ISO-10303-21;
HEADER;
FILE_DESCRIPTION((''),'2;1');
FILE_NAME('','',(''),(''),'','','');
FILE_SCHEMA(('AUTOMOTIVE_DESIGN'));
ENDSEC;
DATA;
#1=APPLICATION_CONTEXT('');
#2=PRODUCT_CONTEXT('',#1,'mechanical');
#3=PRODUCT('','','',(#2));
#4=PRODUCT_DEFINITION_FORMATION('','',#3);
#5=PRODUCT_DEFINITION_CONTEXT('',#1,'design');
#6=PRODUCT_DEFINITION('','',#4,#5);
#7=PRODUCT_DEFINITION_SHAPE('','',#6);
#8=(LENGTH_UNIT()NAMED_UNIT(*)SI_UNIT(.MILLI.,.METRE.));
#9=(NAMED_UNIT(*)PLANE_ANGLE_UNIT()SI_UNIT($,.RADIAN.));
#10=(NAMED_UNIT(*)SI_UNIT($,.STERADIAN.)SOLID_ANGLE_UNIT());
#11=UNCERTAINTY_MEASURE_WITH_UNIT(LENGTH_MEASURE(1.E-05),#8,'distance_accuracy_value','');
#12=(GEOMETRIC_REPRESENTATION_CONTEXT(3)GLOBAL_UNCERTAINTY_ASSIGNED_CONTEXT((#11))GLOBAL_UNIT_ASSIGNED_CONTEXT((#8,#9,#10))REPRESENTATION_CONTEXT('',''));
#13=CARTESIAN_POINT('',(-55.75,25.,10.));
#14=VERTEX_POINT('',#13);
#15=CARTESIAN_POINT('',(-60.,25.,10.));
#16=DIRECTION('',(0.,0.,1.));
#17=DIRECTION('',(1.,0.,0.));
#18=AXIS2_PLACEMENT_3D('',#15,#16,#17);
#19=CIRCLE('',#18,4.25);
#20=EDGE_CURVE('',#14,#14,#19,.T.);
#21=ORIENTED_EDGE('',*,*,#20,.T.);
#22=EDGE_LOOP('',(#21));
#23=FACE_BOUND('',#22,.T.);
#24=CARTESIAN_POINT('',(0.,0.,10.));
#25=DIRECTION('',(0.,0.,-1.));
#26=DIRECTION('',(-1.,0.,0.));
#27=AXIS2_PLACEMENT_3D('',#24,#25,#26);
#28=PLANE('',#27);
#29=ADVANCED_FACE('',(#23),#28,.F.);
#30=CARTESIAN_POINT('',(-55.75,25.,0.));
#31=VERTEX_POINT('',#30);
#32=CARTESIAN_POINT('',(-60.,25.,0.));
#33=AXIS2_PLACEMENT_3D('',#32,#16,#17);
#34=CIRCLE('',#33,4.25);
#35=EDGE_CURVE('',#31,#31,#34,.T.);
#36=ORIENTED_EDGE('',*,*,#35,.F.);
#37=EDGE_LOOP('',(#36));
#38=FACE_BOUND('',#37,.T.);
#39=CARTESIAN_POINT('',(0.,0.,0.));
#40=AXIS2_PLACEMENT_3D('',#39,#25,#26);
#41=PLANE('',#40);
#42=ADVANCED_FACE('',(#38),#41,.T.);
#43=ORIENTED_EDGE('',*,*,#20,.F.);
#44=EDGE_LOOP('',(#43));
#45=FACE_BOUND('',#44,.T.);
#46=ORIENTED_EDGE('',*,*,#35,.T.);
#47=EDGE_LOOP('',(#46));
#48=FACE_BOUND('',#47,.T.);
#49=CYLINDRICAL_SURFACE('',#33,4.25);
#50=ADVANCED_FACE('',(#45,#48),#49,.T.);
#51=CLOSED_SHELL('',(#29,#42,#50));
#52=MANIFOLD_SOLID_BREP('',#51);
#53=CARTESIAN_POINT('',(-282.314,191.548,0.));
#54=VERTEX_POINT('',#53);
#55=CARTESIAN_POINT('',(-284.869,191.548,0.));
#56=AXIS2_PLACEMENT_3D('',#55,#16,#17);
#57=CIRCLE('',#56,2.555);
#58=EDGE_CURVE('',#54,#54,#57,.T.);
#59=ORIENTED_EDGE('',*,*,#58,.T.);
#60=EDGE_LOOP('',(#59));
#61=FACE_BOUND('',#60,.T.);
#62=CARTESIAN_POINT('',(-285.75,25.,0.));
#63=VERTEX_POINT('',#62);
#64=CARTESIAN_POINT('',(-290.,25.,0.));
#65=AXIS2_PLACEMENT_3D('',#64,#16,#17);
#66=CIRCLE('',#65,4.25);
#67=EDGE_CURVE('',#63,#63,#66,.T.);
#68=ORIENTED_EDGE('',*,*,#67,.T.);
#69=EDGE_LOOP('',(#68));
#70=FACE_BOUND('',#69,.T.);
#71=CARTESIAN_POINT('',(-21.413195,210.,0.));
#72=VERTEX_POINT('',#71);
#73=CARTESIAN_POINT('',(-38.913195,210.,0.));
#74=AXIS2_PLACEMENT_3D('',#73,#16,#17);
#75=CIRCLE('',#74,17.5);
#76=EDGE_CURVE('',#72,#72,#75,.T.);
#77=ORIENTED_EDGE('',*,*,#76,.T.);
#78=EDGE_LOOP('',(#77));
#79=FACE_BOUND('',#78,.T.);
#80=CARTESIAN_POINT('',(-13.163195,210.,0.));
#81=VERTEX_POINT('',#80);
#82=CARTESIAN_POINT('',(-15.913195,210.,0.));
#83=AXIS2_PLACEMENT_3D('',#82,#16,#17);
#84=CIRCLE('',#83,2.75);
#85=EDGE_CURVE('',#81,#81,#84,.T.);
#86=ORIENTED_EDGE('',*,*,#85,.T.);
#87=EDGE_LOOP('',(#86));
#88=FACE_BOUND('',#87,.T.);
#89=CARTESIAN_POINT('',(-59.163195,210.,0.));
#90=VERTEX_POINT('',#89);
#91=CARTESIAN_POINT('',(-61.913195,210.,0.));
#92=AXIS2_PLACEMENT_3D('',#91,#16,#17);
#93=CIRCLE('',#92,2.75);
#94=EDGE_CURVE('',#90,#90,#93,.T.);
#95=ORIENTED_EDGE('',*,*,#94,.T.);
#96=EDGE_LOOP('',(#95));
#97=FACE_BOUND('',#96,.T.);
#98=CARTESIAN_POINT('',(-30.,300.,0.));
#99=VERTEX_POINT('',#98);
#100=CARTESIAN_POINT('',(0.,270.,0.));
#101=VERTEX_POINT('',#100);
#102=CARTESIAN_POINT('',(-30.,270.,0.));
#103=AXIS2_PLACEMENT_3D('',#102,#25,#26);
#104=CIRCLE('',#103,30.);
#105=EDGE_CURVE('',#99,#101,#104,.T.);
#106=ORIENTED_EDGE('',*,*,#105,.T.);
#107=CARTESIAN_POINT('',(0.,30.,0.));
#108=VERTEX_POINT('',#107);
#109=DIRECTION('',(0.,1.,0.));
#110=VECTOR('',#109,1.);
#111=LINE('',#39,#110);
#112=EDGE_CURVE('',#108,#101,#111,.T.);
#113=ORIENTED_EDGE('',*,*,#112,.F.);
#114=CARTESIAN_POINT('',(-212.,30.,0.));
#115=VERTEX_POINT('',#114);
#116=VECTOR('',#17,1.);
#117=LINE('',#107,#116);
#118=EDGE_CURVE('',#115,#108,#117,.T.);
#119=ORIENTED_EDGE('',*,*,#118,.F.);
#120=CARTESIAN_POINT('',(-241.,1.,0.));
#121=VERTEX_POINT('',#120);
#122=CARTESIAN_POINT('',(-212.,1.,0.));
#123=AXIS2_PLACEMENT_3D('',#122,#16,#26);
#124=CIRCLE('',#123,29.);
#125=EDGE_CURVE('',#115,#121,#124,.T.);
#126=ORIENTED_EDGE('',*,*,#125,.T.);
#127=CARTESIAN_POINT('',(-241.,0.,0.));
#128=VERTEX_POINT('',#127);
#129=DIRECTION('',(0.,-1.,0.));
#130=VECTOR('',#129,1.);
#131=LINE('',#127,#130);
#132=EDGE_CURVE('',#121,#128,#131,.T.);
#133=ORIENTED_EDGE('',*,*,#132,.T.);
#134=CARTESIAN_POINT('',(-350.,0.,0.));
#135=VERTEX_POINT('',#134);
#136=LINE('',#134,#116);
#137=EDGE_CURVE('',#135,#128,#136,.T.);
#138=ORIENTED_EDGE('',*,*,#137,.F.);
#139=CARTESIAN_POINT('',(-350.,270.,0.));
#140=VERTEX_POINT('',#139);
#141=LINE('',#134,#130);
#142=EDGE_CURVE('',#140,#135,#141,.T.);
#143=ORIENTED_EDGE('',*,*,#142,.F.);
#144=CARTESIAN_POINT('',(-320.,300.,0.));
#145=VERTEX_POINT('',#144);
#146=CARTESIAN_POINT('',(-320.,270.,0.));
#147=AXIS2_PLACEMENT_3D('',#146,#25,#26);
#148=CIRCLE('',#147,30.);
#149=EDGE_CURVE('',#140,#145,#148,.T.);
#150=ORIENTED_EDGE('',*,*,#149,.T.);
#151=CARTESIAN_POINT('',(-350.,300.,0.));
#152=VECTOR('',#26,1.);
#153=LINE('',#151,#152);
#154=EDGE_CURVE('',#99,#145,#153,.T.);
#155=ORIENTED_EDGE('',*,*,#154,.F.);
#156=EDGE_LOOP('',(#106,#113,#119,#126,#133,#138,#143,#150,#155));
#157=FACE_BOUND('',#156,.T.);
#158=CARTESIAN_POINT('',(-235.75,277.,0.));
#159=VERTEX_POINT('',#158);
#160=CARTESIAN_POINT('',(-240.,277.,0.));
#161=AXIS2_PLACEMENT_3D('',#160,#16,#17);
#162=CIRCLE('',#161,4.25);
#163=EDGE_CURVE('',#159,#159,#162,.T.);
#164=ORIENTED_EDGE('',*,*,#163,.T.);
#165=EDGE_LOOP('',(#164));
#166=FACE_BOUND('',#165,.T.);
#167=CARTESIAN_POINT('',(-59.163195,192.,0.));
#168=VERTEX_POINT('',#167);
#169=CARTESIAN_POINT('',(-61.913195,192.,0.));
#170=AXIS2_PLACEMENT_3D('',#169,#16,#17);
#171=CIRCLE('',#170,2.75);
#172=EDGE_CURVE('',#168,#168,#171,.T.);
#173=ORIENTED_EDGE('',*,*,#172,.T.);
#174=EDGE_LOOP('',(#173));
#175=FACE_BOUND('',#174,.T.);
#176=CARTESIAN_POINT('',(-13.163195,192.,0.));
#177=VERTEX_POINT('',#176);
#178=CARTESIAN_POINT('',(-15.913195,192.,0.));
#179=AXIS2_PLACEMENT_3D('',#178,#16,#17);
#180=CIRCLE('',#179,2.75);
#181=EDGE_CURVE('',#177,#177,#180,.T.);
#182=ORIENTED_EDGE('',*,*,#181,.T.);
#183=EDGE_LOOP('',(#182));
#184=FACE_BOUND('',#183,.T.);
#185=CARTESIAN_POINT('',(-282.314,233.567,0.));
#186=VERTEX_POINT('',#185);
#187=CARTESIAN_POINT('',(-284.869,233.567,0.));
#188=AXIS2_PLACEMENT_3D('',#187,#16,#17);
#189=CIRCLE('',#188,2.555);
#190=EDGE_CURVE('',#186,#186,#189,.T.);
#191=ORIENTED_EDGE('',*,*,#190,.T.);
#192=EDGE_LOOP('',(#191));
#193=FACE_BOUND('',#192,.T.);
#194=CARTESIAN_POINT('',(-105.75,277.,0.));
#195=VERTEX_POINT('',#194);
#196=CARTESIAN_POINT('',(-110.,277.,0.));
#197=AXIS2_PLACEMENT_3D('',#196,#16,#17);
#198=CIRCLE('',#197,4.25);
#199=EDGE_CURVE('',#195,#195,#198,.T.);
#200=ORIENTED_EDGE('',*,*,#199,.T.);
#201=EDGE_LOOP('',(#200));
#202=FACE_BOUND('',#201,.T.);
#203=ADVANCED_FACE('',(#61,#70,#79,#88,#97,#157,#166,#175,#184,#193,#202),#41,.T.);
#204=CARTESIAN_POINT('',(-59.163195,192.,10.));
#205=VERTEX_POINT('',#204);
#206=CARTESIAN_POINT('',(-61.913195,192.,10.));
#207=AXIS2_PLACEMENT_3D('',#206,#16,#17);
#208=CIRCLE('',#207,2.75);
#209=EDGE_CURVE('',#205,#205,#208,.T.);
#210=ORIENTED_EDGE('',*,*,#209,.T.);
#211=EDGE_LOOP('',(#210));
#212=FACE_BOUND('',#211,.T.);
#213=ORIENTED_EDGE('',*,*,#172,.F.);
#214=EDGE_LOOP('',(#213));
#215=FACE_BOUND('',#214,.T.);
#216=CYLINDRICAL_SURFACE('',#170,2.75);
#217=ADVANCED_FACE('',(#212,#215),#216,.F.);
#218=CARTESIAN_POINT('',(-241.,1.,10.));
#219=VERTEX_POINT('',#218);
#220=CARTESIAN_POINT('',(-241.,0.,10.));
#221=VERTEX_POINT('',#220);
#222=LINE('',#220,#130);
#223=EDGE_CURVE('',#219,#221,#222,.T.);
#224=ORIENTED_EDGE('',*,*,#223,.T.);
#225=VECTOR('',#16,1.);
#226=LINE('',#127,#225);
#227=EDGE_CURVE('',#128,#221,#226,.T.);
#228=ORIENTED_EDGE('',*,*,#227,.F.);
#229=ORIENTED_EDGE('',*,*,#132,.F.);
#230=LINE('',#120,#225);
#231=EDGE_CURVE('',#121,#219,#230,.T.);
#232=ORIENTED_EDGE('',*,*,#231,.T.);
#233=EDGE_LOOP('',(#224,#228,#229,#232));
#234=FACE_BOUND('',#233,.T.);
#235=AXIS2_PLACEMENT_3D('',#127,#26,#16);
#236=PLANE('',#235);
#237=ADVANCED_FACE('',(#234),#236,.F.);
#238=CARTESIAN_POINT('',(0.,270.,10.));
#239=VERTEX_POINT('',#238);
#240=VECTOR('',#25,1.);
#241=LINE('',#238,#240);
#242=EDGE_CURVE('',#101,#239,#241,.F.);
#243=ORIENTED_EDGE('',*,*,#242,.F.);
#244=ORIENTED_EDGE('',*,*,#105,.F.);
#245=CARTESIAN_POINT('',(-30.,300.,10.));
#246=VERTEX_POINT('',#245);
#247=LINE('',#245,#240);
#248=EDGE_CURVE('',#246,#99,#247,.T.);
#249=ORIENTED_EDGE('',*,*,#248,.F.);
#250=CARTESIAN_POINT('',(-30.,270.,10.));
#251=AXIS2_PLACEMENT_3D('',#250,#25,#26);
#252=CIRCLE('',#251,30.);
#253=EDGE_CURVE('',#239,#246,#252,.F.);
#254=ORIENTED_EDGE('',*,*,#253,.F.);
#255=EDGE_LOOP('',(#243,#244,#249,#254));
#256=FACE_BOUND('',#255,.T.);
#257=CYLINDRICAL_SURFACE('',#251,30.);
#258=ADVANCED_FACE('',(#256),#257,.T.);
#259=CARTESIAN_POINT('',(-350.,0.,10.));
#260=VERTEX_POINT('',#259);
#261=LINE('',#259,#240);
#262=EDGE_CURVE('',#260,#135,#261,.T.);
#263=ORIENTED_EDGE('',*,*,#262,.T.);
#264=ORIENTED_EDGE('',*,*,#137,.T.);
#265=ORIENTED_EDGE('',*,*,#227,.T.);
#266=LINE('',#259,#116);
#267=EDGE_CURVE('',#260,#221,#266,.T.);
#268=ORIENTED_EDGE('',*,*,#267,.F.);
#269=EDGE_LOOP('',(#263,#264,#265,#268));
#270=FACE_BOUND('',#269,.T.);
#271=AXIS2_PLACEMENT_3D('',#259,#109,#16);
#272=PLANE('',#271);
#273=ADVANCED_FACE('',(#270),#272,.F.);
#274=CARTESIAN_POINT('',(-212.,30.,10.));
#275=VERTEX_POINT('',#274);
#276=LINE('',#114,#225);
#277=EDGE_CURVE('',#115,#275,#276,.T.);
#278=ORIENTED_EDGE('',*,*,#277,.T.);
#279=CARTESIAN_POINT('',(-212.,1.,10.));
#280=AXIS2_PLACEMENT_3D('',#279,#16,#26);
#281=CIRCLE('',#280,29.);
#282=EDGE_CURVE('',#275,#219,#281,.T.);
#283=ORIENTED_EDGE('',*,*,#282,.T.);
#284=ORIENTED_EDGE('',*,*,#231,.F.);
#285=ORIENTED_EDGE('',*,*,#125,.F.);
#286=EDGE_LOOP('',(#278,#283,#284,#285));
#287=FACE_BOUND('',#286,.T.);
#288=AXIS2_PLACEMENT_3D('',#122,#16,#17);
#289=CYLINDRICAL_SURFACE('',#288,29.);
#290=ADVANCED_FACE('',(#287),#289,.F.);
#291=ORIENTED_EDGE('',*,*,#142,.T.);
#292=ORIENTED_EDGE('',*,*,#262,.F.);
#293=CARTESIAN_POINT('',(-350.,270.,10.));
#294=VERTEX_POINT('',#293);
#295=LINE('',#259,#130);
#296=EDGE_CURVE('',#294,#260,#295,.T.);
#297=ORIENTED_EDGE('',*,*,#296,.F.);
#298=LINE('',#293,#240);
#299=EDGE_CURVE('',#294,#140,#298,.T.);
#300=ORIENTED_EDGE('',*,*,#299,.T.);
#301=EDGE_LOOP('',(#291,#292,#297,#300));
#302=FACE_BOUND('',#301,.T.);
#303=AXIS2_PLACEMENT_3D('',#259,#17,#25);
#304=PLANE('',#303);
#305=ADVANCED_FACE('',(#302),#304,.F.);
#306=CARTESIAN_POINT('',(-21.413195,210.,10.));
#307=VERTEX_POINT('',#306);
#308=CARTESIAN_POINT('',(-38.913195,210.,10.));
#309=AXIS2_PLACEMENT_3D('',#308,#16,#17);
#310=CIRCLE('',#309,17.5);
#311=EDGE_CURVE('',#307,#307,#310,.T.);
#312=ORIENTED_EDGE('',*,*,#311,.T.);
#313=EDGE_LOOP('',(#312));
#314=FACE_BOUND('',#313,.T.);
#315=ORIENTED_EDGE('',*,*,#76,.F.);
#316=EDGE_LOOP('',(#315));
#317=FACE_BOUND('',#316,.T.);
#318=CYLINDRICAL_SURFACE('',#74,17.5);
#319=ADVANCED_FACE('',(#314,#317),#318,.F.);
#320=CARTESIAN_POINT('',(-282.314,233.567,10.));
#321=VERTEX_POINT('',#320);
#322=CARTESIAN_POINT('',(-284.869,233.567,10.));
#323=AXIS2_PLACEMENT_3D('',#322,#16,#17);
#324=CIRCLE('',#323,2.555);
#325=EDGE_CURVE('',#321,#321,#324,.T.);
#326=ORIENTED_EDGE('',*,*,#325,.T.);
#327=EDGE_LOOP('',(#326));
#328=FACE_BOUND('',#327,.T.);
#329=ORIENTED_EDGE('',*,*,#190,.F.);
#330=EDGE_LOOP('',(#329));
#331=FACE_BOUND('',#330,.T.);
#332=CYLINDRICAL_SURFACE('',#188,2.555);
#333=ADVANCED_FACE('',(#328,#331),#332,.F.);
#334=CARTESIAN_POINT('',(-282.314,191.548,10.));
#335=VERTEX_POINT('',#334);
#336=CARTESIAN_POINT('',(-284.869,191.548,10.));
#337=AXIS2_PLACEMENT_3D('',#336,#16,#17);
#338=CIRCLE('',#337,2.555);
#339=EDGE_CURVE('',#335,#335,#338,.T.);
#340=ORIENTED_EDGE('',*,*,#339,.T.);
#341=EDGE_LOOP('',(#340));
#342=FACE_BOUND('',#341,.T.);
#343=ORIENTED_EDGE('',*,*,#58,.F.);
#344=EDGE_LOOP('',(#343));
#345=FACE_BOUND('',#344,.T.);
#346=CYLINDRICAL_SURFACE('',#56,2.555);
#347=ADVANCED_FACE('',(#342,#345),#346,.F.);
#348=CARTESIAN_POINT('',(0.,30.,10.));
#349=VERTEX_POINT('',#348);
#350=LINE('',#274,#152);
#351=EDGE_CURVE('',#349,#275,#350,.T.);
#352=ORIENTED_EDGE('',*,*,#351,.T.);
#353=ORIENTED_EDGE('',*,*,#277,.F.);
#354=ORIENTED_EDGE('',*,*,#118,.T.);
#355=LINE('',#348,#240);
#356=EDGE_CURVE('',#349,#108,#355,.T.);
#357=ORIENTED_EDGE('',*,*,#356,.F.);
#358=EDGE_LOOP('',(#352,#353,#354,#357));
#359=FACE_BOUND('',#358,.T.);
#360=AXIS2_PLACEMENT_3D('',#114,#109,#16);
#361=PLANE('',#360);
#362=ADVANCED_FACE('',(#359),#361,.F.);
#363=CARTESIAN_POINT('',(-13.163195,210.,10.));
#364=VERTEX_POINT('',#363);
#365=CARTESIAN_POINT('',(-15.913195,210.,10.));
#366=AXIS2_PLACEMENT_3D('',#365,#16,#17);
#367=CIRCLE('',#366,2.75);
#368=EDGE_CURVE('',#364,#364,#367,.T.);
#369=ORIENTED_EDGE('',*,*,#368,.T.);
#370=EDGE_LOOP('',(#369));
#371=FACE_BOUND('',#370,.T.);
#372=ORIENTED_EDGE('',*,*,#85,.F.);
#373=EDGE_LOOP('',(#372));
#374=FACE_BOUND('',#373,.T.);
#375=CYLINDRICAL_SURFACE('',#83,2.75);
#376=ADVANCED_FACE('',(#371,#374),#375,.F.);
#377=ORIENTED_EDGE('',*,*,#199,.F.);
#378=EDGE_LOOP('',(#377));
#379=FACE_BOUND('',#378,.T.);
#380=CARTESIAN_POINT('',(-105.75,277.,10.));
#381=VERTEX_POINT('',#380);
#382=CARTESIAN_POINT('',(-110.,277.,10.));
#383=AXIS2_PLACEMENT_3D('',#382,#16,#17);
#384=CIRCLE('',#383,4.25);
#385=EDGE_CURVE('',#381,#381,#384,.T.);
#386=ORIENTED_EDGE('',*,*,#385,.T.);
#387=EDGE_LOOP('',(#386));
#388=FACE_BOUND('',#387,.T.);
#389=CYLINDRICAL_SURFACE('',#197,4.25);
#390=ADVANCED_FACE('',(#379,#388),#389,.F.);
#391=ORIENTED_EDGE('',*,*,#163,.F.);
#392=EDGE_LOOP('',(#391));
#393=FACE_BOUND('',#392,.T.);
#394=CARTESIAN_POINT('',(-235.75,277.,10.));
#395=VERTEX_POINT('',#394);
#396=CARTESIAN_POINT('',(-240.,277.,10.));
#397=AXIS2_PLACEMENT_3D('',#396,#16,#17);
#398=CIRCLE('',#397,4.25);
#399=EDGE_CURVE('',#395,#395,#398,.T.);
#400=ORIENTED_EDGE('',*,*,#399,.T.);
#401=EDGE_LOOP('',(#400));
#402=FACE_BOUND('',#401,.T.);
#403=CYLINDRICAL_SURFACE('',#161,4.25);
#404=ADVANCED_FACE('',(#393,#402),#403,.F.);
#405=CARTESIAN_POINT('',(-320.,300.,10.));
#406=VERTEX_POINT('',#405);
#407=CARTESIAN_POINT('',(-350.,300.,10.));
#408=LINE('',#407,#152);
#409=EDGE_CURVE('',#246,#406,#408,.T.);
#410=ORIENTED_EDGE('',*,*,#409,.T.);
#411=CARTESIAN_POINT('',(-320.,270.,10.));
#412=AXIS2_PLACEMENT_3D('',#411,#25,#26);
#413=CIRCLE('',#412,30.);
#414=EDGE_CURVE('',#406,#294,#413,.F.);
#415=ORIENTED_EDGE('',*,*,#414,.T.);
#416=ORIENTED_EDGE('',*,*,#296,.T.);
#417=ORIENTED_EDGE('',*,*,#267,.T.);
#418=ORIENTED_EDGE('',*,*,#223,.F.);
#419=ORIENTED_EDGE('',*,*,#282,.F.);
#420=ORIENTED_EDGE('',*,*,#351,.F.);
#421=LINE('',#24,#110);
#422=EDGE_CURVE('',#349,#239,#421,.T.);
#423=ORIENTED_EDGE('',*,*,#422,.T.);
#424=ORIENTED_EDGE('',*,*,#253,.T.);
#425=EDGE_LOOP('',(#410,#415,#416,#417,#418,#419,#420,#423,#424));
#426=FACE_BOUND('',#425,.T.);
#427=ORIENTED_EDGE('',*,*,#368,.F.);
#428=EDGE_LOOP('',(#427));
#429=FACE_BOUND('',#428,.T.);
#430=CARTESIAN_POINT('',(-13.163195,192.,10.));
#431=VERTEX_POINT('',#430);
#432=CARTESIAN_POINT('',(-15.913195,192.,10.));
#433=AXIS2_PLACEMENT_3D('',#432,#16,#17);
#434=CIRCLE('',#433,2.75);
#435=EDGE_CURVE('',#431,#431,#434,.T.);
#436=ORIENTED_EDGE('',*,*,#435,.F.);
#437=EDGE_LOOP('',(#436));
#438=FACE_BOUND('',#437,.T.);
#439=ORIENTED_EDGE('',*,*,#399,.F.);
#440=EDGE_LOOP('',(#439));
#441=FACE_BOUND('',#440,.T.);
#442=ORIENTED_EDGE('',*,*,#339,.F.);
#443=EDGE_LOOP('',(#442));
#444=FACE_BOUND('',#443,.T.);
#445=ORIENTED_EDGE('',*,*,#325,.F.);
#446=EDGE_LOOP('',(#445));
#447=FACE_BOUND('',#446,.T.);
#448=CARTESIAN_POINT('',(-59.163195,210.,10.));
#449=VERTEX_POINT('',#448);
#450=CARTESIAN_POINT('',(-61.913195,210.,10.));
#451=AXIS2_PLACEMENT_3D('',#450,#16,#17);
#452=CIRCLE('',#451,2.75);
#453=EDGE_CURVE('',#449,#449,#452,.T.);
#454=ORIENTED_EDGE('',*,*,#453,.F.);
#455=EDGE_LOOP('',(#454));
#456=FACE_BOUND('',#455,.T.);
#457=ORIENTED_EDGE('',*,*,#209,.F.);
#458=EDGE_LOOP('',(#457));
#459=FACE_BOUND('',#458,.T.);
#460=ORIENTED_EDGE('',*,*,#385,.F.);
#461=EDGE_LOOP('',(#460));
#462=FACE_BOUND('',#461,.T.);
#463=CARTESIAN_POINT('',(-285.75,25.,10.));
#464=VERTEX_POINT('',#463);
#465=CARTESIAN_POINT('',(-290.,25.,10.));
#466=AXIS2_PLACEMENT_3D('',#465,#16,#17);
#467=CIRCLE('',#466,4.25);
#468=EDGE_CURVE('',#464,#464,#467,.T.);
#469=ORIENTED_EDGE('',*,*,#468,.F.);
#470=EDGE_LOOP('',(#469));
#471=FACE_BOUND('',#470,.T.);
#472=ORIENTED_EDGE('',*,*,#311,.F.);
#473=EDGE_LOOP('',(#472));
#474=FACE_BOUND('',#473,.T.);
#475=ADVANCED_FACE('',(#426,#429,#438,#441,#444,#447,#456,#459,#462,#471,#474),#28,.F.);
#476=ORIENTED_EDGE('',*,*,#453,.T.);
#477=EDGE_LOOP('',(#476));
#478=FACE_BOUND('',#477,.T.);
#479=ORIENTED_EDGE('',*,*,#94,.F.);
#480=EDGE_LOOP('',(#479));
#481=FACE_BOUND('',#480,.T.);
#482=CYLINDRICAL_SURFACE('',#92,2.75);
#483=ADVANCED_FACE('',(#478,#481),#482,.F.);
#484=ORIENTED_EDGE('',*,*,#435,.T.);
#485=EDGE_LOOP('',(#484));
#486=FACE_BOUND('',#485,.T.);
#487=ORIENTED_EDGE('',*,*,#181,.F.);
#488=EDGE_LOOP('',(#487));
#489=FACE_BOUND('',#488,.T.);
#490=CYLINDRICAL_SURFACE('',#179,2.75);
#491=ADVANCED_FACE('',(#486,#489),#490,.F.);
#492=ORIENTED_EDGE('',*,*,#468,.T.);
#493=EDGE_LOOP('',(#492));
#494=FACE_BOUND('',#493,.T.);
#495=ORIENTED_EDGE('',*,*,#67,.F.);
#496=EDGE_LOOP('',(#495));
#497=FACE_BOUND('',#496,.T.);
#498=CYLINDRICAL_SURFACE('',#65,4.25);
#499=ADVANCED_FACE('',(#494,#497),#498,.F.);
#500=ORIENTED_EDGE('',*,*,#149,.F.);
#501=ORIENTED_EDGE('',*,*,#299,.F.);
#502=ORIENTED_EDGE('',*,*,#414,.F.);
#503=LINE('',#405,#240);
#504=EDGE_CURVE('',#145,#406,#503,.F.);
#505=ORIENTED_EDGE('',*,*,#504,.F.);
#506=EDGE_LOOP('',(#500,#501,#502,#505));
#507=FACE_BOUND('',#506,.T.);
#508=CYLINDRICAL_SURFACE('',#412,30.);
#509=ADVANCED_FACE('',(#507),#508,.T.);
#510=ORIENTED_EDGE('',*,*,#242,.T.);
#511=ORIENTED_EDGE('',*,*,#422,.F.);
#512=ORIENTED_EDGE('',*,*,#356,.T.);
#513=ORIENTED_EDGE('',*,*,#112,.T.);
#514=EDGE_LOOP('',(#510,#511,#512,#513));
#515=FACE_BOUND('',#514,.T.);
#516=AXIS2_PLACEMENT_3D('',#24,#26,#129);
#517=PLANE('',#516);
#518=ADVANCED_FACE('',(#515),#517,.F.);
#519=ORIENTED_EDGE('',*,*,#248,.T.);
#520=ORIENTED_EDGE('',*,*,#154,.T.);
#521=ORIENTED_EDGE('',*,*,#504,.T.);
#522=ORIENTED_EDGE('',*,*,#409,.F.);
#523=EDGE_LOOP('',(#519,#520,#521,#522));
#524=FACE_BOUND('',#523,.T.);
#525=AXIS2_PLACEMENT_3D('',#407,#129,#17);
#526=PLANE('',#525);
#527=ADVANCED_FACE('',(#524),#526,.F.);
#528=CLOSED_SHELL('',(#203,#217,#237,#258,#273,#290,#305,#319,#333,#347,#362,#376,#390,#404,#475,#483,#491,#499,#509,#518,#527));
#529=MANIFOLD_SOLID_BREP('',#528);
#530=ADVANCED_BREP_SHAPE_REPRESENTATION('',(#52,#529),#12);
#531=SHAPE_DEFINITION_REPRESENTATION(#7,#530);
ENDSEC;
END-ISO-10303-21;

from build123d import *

# Parameters (mm, degrees)
CROQUIS1_W              = 350
CROQUIS1_H              = 300
SALIENTE_EXTRUIR1_DEPTH = 10
REDONDEO4_R             = 30
CROQUIS2_R              = 17.5
CROQUIS2_R_2            = 4.25
CROQUIS2_R_3            = 2.555
CROQUIS2_R_4            = 2.75
CORTAR_EXTRUIR1_DEPTH   = 11


with BuildPart() as part:
    # Croquis1 → Saliente-Extruir1 (new body)
    with BuildSketch(Plane.XY):
        with Locations((-175, 150)):
            Rectangle(CROQUIS1_W, CROQUIS1_H)
    extrude(amount=SALIENTE_EXTRUIR1_DEPTH)

    # Redondeo4
    redondeo4_edges = [part.edges().sort_by_distance(p)[0] for p in [
        (-350, 300, 5),
        (0, 300, 5),
    ]]
    fillet(redondeo4_edges, radius=REDONDEO4_R)

    # Croquis2 → Cortar-Extruir1 (cut, through all)
    with BuildSketch(Plane.XY.offset(10)):
        with Locations((-38.913195394, 210)):
            Circle(CROQUIS2_R)
        with Locations((-290, 25)):
            Circle(CROQUIS2_R_2)
        with Locations((-240, 277)):
            Circle(CROQUIS2_R_2)
        with Locations((-110, 277)):
            Circle(CROQUIS2_R_2)
        with Locations((-355.107, 233.567)):
            Circle(CROQUIS2_R_3)
        with Locations((-284.869, 233.567)):
            Circle(CROQUIS2_R_3)
        with Locations((-284.869, 191.548)):
            Circle(CROQUIS2_R_3)
        with Locations((-355.107, 191.548)):
            Circle(CROQUIS2_R_3)
        with Locations((-15.913195394, 210)):
            Circle(CROQUIS2_R_4)
        with Locations((-15.913195394, 192)):
            Circle(CROQUIS2_R_4)
        with Locations((-61.913195394, 210)):
            Circle(CROQUIS2_R_4)
        with Locations((-61.913195394, 192)):
            Circle(CROQUIS2_R_4)
        with BuildLine():
            Line((-241, 0), (180.991, 0))
            Line((180.991, 0), (180.991, 1))
            ThreePointArc((180.991, 1), (172.497096654, 21.506096654), (151.991, 30))
            Line((151.991, 30), (-212, 30))
            ThreePointArc((-212, 30), (-232.506096654, 21.506096654), (-241, 1))
            Line((-241, 1), (-241, 0))
        make_face()
        with Locations((-60, 25)):
            Circle(CROQUIS2_R_2, mode=Mode.SUBTRACT)
    extrude(amount=-CORTAR_EXTRUIR1_DEPTH, mode=Mode.SUBTRACT)


solid = part.part
